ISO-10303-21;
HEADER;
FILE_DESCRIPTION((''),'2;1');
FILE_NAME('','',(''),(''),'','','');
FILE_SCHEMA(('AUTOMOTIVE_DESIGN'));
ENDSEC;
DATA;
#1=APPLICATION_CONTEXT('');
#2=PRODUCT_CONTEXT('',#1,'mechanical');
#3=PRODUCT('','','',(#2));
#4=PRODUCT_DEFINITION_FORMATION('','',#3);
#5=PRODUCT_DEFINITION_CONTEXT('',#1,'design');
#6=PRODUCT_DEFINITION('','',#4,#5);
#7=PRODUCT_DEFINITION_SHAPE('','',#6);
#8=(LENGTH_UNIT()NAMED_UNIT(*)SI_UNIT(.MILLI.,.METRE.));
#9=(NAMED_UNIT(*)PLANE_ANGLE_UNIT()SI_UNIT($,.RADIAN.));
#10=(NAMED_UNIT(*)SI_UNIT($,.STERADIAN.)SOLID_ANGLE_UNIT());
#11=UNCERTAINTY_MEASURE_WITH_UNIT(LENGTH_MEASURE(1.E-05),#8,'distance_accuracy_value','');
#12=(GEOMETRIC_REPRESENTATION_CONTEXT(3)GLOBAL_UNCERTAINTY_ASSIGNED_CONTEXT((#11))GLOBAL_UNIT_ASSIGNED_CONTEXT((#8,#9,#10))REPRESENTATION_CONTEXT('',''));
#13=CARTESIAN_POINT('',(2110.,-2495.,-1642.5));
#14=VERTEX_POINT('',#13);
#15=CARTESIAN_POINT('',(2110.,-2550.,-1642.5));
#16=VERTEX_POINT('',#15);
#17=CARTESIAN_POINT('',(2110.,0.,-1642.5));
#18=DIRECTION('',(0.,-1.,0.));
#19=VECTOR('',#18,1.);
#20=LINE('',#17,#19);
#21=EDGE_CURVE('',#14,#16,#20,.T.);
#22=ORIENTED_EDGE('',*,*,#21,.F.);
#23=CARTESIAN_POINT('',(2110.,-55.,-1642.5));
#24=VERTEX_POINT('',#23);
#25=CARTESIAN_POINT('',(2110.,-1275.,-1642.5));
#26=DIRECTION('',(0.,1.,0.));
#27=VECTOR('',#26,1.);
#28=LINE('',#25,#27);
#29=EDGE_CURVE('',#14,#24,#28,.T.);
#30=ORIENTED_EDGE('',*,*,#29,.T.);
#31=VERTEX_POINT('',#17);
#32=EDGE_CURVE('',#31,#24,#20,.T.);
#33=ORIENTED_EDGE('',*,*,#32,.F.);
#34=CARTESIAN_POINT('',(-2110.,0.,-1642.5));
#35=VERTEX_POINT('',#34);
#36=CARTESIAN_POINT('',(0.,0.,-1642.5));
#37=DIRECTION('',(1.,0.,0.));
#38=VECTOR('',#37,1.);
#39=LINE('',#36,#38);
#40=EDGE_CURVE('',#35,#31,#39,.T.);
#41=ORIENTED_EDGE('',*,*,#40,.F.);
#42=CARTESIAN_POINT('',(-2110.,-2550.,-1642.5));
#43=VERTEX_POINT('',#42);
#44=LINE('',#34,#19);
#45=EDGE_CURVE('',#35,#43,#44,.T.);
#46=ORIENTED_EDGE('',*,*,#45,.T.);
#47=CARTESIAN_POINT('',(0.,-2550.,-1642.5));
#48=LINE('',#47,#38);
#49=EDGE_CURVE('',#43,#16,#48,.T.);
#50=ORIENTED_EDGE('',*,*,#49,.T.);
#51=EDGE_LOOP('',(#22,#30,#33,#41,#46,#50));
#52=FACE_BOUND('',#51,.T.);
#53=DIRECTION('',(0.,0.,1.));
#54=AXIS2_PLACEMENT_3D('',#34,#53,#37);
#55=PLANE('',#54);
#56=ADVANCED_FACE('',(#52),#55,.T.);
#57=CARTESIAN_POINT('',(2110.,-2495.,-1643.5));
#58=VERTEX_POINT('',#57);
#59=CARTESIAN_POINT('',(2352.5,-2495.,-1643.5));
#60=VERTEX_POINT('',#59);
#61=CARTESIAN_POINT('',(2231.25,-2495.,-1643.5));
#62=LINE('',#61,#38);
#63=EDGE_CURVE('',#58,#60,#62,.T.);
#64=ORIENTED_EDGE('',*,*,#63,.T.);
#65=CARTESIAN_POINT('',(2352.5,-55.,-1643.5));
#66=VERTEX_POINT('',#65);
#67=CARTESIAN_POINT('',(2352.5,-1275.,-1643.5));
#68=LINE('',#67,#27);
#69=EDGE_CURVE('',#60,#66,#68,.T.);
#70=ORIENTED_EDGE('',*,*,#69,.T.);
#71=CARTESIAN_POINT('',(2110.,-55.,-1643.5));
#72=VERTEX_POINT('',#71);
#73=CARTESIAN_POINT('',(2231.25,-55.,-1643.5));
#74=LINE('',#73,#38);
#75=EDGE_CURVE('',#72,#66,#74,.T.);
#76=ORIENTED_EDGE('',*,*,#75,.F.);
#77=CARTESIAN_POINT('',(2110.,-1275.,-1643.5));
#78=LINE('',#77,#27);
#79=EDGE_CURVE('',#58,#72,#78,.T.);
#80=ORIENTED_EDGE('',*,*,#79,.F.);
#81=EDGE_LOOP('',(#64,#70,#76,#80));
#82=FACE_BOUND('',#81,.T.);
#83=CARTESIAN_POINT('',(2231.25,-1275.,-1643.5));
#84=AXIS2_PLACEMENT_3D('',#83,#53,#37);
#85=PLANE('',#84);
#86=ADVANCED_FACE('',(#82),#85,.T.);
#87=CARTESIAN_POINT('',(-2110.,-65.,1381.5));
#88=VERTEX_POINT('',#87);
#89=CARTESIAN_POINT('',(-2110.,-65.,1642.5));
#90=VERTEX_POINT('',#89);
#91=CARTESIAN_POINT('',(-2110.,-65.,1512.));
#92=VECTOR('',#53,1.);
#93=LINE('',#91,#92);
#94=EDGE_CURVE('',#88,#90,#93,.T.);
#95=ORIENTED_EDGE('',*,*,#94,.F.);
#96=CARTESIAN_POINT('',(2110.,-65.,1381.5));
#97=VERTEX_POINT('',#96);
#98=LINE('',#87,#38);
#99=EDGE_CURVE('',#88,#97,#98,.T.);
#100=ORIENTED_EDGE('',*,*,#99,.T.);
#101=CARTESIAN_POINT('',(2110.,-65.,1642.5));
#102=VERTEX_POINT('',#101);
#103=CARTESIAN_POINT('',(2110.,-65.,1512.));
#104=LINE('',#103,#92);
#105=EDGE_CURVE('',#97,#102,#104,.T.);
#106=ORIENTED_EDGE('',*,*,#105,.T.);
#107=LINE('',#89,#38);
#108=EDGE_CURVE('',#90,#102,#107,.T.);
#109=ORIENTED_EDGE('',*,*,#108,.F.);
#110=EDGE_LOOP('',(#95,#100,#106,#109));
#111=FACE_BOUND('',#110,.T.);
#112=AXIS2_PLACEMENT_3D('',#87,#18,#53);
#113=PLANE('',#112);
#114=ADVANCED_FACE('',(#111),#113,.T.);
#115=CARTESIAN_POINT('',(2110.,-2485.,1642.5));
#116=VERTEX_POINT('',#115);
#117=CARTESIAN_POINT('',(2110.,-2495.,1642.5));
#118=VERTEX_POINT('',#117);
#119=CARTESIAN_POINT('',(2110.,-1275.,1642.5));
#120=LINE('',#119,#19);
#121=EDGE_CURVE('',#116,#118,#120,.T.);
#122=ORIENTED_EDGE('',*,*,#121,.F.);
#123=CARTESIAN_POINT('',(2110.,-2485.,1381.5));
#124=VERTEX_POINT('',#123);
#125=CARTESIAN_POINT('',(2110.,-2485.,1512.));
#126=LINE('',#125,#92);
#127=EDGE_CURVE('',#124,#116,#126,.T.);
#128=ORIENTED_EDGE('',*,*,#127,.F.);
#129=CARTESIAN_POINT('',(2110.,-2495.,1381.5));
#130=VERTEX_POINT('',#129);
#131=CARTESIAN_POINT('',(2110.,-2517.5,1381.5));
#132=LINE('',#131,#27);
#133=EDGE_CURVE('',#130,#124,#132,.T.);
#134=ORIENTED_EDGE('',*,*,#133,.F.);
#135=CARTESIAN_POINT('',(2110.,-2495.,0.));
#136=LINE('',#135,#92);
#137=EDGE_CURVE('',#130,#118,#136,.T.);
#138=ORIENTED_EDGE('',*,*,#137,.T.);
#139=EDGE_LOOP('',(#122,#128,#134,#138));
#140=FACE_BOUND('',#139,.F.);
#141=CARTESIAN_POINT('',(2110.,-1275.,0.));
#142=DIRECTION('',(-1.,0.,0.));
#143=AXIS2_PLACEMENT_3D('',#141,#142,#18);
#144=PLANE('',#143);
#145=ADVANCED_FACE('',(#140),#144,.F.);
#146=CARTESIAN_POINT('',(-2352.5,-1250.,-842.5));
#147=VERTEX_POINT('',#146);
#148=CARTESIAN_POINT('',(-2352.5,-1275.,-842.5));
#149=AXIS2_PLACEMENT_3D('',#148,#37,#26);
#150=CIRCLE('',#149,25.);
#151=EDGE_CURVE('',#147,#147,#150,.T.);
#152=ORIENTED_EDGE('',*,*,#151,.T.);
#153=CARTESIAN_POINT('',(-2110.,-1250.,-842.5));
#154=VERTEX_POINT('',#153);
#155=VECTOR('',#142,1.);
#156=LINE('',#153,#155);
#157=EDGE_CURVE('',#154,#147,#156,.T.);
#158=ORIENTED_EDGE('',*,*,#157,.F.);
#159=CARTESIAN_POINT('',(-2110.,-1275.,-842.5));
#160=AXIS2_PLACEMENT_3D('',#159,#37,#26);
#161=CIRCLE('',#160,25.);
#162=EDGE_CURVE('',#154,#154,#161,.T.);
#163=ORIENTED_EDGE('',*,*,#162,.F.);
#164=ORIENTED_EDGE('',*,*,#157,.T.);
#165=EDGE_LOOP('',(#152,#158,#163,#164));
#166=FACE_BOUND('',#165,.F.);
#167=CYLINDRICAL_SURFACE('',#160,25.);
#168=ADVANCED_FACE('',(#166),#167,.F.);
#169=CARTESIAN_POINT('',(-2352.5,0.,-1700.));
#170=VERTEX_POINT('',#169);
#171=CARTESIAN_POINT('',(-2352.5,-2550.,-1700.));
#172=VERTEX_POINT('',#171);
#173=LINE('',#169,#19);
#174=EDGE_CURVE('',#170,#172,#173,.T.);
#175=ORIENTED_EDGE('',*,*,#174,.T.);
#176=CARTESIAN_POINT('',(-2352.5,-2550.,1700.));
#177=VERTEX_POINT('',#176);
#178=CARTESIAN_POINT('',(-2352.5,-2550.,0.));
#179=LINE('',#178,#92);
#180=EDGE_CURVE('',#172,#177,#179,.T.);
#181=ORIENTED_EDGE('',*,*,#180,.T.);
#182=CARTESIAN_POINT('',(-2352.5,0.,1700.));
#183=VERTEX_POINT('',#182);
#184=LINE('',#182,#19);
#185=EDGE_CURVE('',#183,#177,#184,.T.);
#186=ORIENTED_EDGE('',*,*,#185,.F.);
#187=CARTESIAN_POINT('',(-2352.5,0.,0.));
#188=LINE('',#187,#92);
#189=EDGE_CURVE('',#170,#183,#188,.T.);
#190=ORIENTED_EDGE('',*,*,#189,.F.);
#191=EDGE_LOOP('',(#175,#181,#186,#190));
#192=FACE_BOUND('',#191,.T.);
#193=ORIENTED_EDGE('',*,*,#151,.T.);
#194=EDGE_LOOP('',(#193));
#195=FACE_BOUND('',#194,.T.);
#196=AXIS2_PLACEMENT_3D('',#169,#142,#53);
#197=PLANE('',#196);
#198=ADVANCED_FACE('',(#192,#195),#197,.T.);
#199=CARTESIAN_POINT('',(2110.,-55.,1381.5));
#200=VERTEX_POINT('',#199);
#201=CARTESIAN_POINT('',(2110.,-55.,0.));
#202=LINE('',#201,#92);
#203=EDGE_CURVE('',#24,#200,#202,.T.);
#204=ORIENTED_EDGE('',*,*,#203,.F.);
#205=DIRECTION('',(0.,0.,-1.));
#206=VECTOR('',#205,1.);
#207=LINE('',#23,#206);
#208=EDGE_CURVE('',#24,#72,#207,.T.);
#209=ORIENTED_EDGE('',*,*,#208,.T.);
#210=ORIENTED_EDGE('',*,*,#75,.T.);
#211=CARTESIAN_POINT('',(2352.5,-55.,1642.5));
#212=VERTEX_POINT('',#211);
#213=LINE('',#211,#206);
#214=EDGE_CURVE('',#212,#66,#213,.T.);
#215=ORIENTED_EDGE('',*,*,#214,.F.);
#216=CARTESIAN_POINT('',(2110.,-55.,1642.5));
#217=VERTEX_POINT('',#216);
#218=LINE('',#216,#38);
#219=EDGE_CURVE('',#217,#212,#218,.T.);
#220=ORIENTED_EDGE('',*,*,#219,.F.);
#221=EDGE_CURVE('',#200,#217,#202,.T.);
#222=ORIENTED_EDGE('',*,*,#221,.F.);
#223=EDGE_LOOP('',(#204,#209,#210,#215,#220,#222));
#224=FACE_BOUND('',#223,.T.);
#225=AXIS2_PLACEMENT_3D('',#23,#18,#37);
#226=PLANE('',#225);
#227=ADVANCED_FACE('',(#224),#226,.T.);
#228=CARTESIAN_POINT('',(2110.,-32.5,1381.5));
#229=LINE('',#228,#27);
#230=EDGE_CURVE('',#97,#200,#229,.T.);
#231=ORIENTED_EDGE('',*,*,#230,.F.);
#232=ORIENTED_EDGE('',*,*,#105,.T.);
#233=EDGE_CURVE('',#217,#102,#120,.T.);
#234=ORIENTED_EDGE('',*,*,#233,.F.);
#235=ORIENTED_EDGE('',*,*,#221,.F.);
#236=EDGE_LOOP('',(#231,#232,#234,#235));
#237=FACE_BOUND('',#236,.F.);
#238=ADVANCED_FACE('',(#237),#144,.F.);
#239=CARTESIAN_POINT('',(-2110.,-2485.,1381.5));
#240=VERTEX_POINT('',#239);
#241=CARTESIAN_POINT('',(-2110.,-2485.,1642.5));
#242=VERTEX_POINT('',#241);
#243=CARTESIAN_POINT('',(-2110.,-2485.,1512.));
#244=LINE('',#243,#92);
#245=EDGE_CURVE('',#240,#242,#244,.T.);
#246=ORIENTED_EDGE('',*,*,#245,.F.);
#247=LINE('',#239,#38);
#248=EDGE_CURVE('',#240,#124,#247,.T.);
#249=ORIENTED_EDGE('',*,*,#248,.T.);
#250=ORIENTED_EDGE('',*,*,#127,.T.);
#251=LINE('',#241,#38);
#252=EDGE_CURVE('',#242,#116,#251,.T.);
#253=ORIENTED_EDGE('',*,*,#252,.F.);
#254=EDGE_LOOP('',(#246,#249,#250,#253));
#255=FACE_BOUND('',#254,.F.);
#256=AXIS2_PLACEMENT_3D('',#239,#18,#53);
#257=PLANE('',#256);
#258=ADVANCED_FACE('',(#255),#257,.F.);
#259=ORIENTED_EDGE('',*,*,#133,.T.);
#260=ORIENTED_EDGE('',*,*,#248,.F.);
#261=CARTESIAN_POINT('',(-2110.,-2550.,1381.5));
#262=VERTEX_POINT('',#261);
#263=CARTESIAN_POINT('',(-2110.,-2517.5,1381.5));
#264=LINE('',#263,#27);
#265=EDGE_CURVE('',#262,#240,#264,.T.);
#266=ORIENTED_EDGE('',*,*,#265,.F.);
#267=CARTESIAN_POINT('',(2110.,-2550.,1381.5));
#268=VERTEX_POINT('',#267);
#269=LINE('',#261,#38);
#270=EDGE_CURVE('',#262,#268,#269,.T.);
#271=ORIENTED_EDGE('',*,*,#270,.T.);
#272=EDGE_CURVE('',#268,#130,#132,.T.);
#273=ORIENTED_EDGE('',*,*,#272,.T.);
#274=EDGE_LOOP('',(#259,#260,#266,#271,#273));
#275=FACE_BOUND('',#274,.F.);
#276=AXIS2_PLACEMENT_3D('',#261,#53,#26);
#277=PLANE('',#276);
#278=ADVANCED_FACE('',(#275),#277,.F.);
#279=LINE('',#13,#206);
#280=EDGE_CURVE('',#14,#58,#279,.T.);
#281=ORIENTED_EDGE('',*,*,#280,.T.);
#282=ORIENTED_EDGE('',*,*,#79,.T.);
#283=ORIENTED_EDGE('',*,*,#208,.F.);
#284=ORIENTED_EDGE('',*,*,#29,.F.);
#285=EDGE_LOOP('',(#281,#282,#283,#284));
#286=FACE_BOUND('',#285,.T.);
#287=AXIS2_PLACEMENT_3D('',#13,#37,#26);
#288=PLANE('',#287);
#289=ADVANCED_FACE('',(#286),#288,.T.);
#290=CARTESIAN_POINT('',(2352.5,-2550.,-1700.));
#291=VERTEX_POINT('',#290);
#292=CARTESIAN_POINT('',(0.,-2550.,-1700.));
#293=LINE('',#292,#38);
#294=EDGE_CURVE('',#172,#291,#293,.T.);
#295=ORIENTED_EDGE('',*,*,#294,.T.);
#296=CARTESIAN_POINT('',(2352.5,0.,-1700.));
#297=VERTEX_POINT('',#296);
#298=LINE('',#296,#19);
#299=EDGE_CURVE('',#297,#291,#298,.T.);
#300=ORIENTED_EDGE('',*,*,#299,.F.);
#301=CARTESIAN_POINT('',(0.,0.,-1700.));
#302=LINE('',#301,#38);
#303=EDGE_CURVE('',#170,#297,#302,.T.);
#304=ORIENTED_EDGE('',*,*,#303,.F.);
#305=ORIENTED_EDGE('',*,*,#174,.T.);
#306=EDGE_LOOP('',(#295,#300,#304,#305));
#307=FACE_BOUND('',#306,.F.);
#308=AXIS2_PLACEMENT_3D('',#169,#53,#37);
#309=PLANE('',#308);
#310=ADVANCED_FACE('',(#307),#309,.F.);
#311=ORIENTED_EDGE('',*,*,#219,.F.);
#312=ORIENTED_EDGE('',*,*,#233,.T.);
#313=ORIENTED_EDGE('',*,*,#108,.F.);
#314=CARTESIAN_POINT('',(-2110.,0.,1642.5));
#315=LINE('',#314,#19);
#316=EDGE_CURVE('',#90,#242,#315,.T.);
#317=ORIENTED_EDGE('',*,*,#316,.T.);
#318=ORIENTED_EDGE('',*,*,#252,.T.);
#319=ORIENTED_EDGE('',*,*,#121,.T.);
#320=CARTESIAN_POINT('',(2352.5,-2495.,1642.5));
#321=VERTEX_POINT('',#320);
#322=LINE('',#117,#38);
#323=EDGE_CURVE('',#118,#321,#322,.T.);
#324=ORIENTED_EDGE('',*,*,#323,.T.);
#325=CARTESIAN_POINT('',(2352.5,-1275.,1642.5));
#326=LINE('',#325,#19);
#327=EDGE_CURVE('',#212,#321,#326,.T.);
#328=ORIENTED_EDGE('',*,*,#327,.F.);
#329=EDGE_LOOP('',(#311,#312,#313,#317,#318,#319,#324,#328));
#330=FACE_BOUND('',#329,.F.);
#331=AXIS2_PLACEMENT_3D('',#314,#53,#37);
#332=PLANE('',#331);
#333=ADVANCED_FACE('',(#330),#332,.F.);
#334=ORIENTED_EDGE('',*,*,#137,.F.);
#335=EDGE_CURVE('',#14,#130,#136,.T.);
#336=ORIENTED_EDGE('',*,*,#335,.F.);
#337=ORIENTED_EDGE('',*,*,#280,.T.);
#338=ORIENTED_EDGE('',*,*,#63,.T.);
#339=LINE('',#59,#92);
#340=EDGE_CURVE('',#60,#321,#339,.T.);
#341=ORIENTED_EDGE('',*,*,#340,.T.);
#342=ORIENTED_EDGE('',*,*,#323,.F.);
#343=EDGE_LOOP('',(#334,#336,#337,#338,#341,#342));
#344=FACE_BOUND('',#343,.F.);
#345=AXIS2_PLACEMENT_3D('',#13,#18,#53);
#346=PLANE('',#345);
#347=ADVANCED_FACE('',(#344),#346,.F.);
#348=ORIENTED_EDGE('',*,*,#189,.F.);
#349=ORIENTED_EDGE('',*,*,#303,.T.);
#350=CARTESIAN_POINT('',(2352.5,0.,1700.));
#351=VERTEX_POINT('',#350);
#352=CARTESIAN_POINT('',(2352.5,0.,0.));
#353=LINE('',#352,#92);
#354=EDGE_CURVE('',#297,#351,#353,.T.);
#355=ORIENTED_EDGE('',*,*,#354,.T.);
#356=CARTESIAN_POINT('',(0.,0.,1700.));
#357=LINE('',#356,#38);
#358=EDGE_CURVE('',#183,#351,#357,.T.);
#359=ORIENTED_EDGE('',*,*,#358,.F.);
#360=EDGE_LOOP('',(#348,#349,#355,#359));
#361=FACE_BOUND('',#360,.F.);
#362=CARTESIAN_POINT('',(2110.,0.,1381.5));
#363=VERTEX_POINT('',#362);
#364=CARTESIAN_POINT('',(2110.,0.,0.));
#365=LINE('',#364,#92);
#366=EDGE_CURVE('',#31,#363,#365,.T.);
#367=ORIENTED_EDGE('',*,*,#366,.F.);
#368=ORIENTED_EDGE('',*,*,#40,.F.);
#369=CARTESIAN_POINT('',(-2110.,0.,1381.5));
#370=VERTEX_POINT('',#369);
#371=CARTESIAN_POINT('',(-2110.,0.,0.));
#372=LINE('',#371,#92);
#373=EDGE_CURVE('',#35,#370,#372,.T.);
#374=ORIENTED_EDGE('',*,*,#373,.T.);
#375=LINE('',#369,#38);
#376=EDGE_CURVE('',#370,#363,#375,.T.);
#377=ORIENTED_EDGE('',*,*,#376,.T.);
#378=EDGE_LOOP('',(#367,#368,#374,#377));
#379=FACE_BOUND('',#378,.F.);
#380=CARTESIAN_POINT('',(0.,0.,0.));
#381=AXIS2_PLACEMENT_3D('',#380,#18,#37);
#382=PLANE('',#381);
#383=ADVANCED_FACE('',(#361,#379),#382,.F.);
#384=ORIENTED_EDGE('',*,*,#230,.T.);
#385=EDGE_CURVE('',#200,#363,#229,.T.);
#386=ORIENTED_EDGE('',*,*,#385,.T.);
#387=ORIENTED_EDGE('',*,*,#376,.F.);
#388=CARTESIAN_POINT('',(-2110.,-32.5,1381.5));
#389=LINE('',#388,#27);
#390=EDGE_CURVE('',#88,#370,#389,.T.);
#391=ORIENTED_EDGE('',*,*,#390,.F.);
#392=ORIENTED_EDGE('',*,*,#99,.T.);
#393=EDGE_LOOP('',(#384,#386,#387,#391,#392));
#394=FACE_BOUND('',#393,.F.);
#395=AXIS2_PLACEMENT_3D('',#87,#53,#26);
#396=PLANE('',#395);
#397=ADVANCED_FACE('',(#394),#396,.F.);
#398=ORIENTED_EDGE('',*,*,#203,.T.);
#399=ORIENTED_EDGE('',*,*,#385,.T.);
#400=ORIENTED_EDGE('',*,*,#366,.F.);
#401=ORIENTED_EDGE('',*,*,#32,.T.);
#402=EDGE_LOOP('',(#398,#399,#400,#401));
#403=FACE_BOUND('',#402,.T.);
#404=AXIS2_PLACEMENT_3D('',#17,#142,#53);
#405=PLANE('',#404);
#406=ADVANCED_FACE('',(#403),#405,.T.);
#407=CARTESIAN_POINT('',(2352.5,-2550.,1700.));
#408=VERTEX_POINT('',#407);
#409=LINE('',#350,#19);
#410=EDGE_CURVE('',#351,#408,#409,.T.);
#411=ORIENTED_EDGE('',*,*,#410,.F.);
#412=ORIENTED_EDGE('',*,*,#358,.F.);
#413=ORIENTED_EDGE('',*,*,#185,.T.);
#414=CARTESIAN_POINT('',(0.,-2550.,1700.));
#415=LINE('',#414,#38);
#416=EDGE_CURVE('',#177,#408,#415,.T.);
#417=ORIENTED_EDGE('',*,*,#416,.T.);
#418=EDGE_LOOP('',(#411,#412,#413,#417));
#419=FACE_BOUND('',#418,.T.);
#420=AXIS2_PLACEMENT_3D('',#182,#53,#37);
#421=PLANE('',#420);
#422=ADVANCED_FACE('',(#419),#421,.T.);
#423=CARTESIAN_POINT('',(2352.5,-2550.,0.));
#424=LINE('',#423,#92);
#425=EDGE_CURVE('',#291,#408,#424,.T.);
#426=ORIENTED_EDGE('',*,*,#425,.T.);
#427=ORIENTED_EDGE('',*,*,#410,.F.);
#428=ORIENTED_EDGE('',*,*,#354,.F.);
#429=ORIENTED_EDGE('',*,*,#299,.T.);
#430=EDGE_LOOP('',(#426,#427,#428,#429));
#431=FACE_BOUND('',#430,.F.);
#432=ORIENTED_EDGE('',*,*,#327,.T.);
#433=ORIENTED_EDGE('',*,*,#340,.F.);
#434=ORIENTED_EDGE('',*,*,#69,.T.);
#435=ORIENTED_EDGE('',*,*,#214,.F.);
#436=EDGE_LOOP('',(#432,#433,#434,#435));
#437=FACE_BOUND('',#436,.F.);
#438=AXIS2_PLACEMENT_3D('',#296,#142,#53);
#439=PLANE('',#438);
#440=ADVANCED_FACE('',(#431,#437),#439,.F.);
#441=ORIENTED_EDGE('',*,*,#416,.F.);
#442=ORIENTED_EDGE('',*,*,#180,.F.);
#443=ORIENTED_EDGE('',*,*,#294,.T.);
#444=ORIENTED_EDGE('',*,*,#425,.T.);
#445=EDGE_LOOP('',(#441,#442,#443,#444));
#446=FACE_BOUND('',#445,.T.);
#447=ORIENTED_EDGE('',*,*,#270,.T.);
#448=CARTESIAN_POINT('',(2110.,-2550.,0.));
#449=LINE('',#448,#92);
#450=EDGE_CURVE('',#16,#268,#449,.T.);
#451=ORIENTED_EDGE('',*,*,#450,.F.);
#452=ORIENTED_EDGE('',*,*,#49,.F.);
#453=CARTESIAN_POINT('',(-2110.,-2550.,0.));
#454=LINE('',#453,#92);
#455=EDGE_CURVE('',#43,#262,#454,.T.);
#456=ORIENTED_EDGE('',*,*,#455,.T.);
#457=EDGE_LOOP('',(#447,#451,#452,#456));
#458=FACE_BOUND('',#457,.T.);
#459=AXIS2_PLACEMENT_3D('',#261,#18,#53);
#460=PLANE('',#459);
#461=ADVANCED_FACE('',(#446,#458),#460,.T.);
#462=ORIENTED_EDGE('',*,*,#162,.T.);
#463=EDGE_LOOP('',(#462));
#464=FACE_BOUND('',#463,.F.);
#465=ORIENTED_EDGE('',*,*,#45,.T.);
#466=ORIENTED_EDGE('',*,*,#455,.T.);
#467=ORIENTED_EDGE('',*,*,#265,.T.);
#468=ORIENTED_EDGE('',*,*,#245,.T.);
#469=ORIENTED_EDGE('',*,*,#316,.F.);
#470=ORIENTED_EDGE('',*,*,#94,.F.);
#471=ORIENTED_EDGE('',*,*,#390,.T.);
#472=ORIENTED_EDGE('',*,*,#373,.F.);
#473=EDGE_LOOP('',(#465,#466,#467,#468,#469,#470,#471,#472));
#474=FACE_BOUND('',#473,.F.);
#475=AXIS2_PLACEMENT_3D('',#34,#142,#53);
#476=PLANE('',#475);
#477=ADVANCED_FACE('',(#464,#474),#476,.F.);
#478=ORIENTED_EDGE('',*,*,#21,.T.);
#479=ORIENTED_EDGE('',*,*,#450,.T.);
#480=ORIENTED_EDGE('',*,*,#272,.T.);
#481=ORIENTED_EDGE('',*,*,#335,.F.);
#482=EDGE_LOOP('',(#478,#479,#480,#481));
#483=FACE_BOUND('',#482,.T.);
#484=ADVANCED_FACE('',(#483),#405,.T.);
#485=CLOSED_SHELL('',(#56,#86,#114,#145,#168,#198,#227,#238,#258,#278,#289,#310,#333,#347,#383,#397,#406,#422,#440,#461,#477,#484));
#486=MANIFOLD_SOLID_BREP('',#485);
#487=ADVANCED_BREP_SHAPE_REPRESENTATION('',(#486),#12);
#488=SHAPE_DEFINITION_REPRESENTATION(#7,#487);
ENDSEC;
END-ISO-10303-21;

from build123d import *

# Parameters (mm, degrees)
F0_W      = 4705
F0_H      = 3400
F0_W_2    = 4220
F0_H_2    = 3285
F1_DEPTH  = 2550
F2_W      = 65
F2_H      = 261
F3_DEPTH  = 4220
F4_W      = 2440
F4_H      = 3285
F5_DEPTH  = 242.5
F6_R      = 25
F7_DEPTH  = 242.501
F9_W      = 242.5
F9_H      = 2440
F10_DEPTH = 1


with BuildPart() as f1:
    # F0 (on Front) → F1 (new body)
    with BuildSketch(Plane.XZ):
        Rectangle(F0_W, F0_H)
        Rectangle(F0_W_2, F0_H_2, mode=Mode.SUBTRACT)
    extrude(amount=F1_DEPTH)

    # F2 (on face) → F3 (join, through all)
    with BuildSketch(Plane.YZ.offset(-2110)):
        with Locations((-2517.5, 1512)):
            Rectangle(F2_W, F2_H)
        with Locations((-32.5, 1512)):
            Rectangle(F2_W, F2_H)
    extrude(amount=F3_DEPTH)

    # F4 (on face) → F5 (cut, through all)
    with BuildSketch(Plane(origin=(2110, 0, 0), x_dir=(0, -1, 0), z_dir=(-1, 0, 0))):
        with Locations((1275, 0)):
            Rectangle(F4_W, F4_H)
    extrude(amount=-F5_DEPTH, mode=Mode.SUBTRACT)

    # F6 (on face) → F7 (cut, through all)
    with BuildSketch(Plane.YZ.offset(-2110)):
        with Locations((-1275, -842.5)):
            Circle(F6_R)
    extrude(amount=-F7_DEPTH, mode=Mode.SUBTRACT)

    # F9 (on face) → F10 (cut)
    with BuildSketch(Plane.XY.offset(-1642.5)):
        with Locations((2231.25, -1275)):
            Rectangle(F9_W, F9_H)
    extrude(amount=-F10_DEPTH, mode=Mode.SUBTRACT)


solid = f1.part
